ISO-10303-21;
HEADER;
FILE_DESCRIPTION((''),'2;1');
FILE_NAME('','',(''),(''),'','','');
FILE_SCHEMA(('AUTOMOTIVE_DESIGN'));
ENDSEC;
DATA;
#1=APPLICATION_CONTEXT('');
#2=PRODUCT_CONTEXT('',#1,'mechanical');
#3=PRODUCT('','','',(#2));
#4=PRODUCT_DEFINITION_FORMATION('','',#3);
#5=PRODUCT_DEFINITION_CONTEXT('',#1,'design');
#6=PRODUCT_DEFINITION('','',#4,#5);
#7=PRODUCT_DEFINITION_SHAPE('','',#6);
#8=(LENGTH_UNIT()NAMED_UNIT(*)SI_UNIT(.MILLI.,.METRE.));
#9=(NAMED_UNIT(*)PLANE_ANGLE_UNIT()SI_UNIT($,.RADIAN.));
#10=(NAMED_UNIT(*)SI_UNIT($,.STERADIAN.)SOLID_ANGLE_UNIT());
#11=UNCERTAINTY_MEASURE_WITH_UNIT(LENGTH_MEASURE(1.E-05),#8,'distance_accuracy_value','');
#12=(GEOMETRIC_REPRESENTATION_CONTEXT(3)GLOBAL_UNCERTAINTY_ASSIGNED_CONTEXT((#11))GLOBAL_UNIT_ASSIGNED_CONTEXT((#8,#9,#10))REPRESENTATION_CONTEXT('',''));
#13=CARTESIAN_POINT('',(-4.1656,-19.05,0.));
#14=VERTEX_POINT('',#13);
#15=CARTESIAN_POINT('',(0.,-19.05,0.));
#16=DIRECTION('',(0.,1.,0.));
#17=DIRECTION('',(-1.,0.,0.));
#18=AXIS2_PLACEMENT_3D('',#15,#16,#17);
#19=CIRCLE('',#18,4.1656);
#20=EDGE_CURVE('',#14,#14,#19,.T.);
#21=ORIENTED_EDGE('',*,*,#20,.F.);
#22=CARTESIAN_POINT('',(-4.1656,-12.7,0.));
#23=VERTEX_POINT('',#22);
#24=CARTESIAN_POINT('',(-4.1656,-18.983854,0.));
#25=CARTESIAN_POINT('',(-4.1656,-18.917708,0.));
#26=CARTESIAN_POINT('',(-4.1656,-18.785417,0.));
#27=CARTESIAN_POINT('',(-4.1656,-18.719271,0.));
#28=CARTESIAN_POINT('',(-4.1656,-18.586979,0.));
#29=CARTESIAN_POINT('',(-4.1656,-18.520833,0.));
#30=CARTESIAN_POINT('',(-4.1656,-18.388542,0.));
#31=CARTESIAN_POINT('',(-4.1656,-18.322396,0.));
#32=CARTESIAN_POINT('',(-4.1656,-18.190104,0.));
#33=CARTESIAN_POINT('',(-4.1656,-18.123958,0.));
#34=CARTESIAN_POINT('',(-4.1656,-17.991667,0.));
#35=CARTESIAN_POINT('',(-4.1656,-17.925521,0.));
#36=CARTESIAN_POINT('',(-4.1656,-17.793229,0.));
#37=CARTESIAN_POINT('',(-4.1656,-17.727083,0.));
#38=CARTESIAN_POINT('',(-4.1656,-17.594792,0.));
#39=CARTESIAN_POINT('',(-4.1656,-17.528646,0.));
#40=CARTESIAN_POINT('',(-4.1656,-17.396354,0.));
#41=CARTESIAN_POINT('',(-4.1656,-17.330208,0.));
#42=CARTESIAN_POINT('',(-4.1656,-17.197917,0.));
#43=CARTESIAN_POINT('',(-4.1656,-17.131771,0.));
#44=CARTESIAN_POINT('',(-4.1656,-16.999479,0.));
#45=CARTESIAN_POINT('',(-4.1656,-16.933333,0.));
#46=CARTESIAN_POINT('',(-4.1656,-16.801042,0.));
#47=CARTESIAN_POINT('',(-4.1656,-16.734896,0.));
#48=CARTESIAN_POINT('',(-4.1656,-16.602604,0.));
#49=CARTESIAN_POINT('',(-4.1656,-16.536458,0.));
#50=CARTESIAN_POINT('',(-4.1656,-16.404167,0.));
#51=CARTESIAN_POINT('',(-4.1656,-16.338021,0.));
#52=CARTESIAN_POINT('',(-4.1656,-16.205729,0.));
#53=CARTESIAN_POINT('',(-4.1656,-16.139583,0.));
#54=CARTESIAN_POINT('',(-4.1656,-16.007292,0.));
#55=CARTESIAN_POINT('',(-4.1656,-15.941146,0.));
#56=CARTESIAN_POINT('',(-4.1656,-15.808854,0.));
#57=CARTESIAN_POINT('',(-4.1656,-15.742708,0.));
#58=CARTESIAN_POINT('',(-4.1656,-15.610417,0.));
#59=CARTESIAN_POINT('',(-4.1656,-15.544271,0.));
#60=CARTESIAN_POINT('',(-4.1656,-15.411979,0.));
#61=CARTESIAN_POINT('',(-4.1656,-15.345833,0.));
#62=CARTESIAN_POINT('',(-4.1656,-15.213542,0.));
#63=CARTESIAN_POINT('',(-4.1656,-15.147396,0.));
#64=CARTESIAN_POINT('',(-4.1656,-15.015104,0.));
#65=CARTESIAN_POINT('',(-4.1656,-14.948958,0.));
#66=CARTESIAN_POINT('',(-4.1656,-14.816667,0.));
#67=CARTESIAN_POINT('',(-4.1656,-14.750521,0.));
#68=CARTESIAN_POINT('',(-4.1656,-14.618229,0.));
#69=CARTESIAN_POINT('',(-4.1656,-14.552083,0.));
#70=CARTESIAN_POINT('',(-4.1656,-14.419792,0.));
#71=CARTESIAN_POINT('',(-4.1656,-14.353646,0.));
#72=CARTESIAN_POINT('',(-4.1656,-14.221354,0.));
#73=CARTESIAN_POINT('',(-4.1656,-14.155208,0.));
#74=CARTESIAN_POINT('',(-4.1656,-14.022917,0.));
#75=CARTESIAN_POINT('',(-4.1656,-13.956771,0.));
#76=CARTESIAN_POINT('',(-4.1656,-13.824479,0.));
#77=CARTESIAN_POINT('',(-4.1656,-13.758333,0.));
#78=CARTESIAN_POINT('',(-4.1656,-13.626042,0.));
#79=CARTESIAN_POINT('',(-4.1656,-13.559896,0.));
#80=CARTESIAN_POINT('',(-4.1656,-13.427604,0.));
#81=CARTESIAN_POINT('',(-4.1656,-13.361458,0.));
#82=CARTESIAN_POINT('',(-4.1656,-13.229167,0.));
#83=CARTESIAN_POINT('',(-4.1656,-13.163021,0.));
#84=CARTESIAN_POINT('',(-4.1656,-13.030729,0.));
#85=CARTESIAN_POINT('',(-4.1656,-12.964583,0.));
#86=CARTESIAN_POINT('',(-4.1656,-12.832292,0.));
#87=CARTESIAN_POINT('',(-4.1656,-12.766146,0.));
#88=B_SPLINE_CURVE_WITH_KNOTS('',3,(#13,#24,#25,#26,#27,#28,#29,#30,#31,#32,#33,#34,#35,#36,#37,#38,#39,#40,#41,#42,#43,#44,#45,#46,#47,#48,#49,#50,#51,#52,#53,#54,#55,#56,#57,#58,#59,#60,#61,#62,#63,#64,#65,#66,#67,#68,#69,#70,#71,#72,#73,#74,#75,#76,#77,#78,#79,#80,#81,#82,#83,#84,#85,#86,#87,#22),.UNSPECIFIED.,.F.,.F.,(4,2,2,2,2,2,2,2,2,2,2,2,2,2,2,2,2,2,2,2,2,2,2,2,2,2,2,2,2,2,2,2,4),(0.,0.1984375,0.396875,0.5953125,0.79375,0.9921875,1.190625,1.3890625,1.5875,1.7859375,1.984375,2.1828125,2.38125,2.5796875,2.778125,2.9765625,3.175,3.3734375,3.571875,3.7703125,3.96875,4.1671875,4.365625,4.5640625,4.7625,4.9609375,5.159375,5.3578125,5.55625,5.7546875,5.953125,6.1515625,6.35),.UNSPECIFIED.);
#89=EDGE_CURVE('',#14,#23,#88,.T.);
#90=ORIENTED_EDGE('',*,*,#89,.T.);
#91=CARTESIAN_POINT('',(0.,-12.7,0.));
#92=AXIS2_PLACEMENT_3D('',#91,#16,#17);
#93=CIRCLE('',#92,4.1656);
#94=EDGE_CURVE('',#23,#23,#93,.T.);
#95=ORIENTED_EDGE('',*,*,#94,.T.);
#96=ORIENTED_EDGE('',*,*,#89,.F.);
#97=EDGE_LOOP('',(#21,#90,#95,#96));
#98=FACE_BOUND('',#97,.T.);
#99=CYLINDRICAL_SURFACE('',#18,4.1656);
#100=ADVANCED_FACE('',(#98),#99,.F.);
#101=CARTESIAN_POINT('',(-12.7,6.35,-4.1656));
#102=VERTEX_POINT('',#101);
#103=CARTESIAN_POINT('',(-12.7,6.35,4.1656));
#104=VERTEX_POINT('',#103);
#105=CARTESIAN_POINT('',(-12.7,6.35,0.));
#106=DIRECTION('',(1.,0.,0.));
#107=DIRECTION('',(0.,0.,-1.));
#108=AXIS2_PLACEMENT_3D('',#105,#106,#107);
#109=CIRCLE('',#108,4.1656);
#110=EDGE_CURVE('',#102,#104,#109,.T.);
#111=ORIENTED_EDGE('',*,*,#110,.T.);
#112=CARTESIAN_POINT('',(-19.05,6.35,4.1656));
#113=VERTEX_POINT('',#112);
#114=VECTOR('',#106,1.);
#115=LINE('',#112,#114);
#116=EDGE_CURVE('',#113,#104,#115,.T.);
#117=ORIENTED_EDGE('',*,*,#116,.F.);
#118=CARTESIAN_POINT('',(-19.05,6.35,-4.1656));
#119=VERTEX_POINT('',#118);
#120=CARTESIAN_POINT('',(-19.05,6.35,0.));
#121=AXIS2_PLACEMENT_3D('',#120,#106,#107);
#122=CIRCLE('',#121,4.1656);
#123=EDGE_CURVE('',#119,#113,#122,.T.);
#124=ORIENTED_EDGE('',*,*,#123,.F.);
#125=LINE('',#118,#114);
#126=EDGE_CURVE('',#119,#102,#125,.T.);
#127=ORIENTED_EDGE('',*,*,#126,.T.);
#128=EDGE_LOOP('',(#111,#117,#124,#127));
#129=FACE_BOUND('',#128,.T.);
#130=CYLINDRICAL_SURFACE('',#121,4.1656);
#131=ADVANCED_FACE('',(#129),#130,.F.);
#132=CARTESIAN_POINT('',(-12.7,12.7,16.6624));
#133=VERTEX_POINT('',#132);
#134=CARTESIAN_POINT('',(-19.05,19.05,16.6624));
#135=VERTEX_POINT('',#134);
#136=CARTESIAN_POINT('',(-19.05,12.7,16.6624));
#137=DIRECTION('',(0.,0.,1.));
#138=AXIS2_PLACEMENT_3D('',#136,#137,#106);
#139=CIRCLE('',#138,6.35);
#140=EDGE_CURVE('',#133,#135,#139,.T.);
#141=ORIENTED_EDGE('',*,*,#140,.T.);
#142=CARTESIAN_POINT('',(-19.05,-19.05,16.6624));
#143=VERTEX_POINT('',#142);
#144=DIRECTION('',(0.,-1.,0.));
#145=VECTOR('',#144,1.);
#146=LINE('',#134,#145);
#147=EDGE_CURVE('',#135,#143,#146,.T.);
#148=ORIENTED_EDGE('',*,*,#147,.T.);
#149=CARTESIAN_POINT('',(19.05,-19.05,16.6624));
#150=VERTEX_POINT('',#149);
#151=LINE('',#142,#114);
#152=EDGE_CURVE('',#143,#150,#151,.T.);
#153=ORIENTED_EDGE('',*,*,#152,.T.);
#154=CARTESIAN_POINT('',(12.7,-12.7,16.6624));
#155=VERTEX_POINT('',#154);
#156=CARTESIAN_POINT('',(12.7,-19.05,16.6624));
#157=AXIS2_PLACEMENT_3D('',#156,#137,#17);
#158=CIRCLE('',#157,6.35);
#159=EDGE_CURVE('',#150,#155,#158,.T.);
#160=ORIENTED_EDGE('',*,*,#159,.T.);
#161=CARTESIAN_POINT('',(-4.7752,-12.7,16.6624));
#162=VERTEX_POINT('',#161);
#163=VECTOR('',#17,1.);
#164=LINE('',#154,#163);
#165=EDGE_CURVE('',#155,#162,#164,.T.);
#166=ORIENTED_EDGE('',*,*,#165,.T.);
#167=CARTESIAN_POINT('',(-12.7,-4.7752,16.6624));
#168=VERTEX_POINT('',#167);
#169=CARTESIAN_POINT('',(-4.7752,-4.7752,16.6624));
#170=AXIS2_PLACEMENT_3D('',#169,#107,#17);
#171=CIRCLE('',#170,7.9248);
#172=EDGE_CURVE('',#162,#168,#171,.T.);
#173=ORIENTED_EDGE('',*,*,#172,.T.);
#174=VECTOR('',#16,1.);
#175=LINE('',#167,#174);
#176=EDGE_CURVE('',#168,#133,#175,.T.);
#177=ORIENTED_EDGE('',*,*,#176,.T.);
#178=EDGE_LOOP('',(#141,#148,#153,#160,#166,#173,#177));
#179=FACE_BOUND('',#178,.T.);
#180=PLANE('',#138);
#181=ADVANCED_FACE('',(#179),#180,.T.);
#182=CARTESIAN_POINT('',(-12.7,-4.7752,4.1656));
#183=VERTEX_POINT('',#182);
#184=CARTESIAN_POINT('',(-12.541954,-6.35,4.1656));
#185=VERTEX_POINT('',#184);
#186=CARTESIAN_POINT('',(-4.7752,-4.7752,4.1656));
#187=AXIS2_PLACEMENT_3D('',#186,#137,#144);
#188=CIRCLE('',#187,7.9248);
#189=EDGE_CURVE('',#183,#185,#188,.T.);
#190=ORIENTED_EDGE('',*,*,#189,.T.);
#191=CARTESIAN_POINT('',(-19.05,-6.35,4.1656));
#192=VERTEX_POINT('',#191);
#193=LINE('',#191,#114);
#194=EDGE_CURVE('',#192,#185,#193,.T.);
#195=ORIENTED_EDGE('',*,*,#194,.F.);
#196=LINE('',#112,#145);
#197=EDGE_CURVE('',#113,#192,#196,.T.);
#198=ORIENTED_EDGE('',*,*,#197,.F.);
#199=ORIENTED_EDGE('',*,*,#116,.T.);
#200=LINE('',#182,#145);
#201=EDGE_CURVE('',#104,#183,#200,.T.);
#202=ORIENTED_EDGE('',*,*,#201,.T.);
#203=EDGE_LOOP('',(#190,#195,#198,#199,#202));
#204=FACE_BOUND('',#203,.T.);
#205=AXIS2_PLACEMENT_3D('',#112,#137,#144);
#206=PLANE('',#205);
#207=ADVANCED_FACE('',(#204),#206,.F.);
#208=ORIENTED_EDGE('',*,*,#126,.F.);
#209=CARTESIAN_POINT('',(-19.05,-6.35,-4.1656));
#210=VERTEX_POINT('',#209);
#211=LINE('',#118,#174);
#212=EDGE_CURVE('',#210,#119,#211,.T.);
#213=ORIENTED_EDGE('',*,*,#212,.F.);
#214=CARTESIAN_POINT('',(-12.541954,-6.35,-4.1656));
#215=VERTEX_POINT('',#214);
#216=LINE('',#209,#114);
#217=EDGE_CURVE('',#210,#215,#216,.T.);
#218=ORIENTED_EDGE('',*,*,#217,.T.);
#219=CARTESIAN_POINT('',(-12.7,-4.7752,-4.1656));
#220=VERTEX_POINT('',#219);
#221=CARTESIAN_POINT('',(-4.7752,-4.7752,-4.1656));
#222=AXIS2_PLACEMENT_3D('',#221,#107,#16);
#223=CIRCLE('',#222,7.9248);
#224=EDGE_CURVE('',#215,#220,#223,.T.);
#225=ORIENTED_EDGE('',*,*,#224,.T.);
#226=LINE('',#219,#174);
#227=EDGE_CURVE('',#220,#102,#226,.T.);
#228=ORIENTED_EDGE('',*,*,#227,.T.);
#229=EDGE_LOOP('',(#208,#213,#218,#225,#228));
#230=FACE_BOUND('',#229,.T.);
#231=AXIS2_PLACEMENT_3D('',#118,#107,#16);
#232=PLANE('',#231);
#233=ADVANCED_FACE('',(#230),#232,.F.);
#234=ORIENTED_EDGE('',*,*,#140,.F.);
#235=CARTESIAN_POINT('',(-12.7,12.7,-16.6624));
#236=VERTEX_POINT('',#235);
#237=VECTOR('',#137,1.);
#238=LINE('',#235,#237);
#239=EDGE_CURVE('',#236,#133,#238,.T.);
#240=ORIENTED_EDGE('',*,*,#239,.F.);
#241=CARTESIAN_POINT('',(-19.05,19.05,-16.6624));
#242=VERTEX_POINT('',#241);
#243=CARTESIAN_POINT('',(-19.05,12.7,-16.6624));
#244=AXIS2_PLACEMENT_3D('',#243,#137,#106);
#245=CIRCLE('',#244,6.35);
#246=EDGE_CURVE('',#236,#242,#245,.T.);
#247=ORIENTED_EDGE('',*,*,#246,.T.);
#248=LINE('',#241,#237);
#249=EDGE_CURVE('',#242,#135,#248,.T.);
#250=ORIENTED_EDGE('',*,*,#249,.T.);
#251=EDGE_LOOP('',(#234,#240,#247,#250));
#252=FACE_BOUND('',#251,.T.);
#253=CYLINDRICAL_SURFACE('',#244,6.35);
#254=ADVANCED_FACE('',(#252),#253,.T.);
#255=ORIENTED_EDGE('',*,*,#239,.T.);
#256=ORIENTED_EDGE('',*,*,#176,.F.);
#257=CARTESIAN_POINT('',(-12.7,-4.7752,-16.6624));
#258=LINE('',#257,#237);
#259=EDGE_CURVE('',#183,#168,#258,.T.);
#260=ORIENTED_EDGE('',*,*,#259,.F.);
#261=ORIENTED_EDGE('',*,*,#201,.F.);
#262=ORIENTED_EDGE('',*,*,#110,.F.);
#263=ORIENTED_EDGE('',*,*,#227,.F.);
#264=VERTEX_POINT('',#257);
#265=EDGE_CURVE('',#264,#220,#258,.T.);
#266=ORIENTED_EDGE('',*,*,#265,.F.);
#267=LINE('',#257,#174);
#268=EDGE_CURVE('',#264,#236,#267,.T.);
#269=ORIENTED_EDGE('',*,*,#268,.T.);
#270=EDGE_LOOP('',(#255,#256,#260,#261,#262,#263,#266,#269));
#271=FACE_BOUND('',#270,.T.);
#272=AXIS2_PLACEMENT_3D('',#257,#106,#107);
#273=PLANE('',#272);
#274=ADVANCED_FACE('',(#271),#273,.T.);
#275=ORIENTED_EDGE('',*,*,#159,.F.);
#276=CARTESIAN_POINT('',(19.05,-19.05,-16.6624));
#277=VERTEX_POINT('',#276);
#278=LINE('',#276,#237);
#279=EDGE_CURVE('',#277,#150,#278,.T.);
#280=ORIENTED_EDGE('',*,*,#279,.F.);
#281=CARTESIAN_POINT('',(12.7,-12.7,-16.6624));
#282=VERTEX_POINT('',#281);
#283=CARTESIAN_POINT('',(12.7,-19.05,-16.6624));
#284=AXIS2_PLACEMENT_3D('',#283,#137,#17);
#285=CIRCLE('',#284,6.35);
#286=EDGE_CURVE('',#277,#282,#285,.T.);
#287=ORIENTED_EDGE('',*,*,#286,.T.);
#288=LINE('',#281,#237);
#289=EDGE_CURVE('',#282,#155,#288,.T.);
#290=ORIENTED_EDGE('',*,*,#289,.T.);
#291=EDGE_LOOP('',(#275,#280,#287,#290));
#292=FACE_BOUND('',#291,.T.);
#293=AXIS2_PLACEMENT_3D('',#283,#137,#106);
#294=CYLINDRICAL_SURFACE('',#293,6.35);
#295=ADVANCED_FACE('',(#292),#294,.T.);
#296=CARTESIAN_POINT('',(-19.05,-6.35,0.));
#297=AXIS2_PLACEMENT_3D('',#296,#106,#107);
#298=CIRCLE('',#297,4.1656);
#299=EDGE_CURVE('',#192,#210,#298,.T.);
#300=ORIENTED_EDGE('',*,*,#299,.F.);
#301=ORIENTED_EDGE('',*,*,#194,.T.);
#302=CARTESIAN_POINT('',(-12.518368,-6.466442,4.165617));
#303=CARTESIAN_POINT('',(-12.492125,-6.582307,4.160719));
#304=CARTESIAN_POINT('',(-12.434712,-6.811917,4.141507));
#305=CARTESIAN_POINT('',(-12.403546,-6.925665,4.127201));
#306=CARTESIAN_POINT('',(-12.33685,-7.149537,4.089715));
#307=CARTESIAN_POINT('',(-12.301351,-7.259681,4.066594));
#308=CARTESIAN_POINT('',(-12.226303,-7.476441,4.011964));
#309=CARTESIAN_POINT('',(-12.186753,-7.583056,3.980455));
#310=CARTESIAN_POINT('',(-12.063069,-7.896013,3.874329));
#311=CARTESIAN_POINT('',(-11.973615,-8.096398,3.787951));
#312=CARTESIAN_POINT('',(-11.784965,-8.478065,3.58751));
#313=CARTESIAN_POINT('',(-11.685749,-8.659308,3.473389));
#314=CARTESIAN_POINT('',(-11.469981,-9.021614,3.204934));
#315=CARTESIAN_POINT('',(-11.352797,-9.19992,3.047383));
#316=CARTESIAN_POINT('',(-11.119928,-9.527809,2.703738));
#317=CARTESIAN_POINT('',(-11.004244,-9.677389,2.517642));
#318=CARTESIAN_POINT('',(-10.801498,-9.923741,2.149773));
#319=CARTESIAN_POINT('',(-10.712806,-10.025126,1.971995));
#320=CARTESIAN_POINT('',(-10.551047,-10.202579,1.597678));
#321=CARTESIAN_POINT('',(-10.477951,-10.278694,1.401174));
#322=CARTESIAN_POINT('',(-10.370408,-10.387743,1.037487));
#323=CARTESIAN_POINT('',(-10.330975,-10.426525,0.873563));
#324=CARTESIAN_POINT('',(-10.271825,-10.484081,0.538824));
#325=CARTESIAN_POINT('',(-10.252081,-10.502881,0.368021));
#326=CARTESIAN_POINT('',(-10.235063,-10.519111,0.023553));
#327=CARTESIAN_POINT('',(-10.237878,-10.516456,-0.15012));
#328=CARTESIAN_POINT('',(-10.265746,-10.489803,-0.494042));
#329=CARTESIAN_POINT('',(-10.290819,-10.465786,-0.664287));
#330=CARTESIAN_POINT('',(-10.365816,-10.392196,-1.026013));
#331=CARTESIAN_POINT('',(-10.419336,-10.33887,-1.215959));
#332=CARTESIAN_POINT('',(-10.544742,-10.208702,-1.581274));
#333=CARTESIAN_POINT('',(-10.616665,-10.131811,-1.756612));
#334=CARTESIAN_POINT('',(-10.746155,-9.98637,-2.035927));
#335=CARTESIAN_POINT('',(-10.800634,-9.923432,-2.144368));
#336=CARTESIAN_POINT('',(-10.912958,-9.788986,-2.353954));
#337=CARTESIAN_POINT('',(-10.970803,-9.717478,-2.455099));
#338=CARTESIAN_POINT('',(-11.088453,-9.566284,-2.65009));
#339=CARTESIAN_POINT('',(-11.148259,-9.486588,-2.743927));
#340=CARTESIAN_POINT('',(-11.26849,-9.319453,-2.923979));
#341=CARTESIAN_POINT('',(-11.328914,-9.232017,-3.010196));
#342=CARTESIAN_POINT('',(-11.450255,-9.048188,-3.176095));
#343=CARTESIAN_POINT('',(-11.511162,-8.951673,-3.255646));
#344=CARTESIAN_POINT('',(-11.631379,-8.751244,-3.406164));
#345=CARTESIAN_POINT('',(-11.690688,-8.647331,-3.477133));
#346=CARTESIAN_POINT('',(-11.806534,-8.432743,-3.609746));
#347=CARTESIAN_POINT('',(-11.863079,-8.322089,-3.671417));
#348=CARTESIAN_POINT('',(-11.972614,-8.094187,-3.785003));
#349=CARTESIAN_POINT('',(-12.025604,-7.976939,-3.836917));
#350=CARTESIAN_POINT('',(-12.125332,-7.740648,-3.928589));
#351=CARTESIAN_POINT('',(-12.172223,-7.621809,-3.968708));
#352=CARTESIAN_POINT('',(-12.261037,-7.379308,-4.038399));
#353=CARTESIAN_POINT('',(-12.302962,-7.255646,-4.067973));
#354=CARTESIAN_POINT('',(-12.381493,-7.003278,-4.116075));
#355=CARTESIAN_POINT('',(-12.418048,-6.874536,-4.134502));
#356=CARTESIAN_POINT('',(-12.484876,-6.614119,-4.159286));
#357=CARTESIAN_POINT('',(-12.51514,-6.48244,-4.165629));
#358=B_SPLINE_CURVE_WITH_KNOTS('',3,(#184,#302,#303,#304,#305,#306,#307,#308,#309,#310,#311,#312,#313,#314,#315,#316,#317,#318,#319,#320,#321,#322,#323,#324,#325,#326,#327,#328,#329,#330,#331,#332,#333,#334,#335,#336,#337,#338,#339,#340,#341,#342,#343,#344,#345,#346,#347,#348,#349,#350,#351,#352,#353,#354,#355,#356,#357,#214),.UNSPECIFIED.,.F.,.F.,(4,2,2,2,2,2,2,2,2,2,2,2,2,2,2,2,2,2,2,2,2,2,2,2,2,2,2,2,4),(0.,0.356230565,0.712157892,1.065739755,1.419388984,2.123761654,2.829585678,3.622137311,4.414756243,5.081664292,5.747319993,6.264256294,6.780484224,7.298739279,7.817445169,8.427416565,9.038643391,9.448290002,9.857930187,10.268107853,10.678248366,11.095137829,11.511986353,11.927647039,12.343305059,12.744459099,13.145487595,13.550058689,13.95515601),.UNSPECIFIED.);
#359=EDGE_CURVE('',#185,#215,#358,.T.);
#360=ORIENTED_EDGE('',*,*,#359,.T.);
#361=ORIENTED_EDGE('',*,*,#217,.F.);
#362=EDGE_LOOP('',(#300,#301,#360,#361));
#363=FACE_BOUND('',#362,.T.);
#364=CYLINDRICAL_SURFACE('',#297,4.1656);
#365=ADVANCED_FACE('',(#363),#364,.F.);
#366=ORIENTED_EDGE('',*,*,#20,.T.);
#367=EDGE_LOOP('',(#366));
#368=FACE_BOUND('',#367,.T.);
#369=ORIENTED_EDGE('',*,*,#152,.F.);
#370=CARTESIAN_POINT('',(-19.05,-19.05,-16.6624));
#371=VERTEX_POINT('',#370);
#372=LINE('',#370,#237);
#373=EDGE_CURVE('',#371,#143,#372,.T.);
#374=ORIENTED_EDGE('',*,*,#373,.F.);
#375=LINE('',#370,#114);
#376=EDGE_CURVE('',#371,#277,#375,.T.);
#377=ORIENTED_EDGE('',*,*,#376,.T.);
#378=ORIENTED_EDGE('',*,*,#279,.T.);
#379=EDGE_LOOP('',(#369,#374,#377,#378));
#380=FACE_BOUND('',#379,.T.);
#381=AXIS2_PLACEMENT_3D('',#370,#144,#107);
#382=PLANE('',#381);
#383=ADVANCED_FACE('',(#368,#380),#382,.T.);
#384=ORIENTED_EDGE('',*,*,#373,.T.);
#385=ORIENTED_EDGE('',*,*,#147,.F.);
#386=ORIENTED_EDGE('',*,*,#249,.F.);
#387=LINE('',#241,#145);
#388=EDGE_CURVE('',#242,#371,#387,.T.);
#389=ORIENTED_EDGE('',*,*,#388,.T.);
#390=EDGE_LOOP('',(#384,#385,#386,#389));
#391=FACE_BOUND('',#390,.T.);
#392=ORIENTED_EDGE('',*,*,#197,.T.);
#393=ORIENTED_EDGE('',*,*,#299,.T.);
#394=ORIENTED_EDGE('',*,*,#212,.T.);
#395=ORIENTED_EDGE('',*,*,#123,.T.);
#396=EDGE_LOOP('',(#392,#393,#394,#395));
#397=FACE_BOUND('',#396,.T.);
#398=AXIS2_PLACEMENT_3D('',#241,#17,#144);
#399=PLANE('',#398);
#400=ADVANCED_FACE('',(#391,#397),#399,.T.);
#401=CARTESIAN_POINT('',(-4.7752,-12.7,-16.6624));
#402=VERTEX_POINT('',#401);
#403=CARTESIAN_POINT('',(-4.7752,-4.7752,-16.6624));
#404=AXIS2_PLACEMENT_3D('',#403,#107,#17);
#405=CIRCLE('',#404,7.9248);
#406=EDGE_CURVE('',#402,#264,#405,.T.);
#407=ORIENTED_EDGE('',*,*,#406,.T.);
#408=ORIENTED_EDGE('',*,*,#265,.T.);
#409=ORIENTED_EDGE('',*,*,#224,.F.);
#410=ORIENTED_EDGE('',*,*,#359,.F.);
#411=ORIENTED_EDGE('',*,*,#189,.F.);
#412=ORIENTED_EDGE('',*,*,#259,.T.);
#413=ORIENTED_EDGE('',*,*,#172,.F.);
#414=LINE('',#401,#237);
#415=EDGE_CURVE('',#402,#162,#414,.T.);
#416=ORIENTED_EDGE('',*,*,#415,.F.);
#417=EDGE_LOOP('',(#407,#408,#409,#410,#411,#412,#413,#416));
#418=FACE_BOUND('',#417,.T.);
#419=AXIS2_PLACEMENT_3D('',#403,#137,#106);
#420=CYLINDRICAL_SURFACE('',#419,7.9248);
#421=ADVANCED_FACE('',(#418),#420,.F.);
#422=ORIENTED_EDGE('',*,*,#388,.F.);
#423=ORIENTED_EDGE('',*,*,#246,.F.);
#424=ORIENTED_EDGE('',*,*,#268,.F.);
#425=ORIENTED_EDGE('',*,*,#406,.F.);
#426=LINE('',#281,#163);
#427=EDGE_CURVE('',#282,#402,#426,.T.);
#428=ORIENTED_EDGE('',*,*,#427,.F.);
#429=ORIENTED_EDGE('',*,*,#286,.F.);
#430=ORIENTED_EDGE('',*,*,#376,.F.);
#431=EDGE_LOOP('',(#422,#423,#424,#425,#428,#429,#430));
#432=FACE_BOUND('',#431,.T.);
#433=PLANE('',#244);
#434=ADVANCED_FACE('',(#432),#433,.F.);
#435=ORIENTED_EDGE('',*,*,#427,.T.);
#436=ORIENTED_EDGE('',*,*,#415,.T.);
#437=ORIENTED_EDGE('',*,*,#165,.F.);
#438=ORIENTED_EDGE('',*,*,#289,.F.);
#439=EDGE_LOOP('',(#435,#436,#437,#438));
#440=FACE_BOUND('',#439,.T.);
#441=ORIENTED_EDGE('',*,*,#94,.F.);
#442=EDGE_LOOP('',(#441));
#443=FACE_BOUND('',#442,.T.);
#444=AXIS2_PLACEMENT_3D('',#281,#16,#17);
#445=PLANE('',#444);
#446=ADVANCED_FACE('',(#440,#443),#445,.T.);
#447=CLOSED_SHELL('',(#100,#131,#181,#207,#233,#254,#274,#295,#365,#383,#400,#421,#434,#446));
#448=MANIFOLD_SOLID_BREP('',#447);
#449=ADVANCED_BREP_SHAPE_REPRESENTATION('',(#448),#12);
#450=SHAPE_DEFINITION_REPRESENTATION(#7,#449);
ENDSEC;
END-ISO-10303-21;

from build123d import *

# Parameters (mm, degrees)
BOSS_EXTRUDE1_DEPTH      = 16.6624
BOSS_EXTRUDE1_DEPTH_BACK = 16.6624
CUT_EXTRUDE1_DEPTH       = 41.602962623
CUT_EXTRUDE1_DEPTH_BACK  = 41.602962623
SKETCH6_R                = 4.1656
CUT_EXTRUDE2_DEPTH       = 41.602962711


with BuildPart() as part:
    # Sketch4 → Boss-Extrude1 (new, two sides: drawn at the far end of the back side and taken through both)
    with BuildSketch(Plane.XY.offset(-BOSS_EXTRUDE1_DEPTH_BACK)):
        with BuildLine():
            Line((-19.05, 19.05), (-19.05, -19.05))
            Line((-19.05, -19.05), (19.05, -19.05))
            ThreePointArc((19.05, -19.05), (17.190128061, -14.559871939), (12.7, -12.7))
            Line((12.7, -12.7), (-4.7752, -12.7))
            ThreePointArc((-4.7752, -12.7), (-10.37887982, -10.37887982), (-12.7, -4.7752))
            Line((-12.7, -4.7752), (-12.7, 12.7))
            ThreePointArc((-12.7, 12.7), (-14.559871939, 17.190128061), (-19.05, 19.05))
        make_face()
    extrude(amount=BOSS_EXTRUDE1_DEPTH + BOSS_EXTRUDE1_DEPTH_BACK)

    # Sketch5 → Cut-Extrude1 (cut, two sides: drawn at the far end of the back side and taken through both)
    with BuildSketch(Plane(origin=(-12.7, 0, 0), x_dir=(0, 0, -1), z_dir=(1, 0, 0)).offset(-CUT_EXTRUDE1_DEPTH_BACK)):
        with BuildLine():
            Line((4.1656, 6.35), (4.1656, -6.35))
            ThreePointArc((4.1656, -6.35), (0, -10.5156), (-4.1656, -6.35))
            Line((-4.1656, -6.35), (-4.1656, 6.35))
            ThreePointArc((-4.1656, 6.35), (0, 10.5156), (4.1656, 6.35))
        make_face()
    extrude(amount=CUT_EXTRUDE1_DEPTH + CUT_EXTRUDE1_DEPTH_BACK, mode=Mode.SUBTRACT)

    # Sketch6 → Cut-Extrude2 (cut, through all)
    with BuildSketch(Plane(origin=(0, -12.7, 0), x_dir=(1, 0, 0), z_dir=(0, 1, 0))):
        with Locations(Location((0, 0, 0), (0, 0, 180))):
            Circle(SKETCH6_R)
    extrude(amount=-CUT_EXTRUDE2_DEPTH, mode=Mode.SUBTRACT)


solid = part.part
